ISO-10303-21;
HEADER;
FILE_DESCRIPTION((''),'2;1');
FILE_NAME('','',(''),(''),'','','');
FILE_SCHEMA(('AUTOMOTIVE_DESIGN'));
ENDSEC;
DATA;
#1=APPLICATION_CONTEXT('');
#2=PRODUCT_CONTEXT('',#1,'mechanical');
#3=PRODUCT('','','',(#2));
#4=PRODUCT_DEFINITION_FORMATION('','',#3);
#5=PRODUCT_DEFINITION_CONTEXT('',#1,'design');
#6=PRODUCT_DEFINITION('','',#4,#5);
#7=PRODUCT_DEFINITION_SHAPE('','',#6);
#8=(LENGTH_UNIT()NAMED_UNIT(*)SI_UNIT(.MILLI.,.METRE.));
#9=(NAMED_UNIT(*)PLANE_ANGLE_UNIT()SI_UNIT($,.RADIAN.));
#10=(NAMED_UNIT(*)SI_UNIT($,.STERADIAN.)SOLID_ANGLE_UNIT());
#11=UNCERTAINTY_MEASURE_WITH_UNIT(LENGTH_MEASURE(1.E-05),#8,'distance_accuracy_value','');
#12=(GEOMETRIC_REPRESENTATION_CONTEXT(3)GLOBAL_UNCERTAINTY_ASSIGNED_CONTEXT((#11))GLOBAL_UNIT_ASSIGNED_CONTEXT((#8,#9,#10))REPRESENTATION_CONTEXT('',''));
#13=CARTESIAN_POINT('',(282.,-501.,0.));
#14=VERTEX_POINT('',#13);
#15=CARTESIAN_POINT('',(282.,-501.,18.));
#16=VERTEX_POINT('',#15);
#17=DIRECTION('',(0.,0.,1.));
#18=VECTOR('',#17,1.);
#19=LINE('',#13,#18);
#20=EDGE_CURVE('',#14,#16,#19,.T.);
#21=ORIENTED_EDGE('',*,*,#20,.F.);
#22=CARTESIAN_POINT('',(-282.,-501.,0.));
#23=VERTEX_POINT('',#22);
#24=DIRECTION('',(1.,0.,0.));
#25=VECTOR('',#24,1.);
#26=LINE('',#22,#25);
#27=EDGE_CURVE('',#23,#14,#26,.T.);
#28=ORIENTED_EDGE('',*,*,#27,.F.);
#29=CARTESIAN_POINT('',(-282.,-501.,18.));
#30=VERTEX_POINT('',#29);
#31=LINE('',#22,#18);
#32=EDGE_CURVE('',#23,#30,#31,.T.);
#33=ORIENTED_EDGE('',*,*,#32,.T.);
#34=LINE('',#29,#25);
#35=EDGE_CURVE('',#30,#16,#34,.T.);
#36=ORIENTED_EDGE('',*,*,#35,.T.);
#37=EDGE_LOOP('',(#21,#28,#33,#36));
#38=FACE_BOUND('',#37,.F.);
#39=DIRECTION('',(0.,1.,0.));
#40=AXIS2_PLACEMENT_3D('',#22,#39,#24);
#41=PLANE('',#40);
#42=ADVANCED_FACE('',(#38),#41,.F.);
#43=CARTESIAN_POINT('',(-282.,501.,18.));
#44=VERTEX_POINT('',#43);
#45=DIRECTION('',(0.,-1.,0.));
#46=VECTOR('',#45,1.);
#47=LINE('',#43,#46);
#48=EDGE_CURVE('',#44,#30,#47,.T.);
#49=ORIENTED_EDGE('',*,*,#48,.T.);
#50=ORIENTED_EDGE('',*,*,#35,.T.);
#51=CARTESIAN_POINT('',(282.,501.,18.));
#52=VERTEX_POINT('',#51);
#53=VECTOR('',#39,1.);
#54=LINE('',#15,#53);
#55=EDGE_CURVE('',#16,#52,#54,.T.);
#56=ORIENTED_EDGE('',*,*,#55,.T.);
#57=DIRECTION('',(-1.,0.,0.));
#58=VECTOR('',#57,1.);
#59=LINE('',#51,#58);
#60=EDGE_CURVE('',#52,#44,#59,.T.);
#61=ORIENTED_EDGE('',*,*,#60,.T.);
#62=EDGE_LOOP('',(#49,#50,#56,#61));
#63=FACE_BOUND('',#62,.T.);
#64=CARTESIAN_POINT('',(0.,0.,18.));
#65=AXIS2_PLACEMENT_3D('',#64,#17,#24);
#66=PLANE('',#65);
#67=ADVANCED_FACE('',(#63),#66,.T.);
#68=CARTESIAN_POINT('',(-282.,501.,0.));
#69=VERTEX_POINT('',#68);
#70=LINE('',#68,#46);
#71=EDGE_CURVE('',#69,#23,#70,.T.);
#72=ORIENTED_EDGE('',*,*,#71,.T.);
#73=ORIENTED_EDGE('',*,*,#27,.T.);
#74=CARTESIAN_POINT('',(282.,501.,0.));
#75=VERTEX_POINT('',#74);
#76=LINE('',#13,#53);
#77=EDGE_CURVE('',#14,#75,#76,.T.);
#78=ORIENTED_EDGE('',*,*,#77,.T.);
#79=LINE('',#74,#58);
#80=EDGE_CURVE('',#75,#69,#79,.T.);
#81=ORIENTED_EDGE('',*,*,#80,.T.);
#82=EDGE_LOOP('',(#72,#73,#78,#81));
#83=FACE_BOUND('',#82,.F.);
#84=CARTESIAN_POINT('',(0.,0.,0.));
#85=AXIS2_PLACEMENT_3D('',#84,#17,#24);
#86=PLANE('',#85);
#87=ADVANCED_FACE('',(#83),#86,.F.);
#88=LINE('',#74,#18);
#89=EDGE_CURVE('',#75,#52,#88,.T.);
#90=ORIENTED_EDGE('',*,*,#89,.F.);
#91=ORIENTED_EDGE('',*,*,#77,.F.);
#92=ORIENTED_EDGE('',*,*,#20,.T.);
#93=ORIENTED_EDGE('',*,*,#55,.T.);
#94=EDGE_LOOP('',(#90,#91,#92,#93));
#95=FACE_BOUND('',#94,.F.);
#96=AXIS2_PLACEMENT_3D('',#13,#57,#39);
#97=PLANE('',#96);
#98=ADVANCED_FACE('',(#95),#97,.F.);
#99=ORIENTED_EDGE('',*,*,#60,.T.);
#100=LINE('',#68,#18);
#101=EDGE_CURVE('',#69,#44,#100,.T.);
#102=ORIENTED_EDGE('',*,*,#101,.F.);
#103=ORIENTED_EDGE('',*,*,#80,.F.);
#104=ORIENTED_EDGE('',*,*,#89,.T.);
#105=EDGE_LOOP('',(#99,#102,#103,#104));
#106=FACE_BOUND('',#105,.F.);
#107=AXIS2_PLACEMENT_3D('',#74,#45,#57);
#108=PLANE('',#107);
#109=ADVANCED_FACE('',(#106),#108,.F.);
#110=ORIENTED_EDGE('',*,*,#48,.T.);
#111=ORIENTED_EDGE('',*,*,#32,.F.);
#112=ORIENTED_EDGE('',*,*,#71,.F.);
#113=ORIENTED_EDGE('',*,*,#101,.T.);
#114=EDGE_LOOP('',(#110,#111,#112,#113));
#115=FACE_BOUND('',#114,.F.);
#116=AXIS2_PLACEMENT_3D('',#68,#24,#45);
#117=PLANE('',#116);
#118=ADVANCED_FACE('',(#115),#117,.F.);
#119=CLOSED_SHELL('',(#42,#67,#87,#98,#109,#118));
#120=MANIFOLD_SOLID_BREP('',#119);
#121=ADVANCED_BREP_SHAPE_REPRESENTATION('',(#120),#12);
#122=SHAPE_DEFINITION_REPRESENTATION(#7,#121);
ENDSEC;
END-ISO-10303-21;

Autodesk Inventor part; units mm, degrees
ref_plane "YZ Plane" through (0, 0, 0) normal (1, 0, 0) x (0, 1, 0)
ref_plane "XZ Plane" through (0, 0, 0) normal (0, 1, 0) x (-1, 0, 0)
ref_plane "XY Plane" through (0, 0, 0) normal (0, 0, 1) x (1, 0, 0)
sketch "Sketch1" plane through (0, 0, 0) normal (0, 0, 1) x (1, 0, 0)
  line L0 (-282, -501) -> (282, -501)
  line L1 (282, -501) -> (282, 501)
  line L2 (282, 501) -> (-282, 501)
  line L3 (-282, 501) -> (-282, -501)
  line L4 (-282, -501) -> (282, 501) construction
  line L5 (282, -501) -> (-282, 501) construction
  point P0 (0, 0)
  dimension "d0" = 564
  dimension "d1" = 1002
extrude "Extrusion1" add sketch "Sketch1" along normal blind 18
properties part number "srodek"
